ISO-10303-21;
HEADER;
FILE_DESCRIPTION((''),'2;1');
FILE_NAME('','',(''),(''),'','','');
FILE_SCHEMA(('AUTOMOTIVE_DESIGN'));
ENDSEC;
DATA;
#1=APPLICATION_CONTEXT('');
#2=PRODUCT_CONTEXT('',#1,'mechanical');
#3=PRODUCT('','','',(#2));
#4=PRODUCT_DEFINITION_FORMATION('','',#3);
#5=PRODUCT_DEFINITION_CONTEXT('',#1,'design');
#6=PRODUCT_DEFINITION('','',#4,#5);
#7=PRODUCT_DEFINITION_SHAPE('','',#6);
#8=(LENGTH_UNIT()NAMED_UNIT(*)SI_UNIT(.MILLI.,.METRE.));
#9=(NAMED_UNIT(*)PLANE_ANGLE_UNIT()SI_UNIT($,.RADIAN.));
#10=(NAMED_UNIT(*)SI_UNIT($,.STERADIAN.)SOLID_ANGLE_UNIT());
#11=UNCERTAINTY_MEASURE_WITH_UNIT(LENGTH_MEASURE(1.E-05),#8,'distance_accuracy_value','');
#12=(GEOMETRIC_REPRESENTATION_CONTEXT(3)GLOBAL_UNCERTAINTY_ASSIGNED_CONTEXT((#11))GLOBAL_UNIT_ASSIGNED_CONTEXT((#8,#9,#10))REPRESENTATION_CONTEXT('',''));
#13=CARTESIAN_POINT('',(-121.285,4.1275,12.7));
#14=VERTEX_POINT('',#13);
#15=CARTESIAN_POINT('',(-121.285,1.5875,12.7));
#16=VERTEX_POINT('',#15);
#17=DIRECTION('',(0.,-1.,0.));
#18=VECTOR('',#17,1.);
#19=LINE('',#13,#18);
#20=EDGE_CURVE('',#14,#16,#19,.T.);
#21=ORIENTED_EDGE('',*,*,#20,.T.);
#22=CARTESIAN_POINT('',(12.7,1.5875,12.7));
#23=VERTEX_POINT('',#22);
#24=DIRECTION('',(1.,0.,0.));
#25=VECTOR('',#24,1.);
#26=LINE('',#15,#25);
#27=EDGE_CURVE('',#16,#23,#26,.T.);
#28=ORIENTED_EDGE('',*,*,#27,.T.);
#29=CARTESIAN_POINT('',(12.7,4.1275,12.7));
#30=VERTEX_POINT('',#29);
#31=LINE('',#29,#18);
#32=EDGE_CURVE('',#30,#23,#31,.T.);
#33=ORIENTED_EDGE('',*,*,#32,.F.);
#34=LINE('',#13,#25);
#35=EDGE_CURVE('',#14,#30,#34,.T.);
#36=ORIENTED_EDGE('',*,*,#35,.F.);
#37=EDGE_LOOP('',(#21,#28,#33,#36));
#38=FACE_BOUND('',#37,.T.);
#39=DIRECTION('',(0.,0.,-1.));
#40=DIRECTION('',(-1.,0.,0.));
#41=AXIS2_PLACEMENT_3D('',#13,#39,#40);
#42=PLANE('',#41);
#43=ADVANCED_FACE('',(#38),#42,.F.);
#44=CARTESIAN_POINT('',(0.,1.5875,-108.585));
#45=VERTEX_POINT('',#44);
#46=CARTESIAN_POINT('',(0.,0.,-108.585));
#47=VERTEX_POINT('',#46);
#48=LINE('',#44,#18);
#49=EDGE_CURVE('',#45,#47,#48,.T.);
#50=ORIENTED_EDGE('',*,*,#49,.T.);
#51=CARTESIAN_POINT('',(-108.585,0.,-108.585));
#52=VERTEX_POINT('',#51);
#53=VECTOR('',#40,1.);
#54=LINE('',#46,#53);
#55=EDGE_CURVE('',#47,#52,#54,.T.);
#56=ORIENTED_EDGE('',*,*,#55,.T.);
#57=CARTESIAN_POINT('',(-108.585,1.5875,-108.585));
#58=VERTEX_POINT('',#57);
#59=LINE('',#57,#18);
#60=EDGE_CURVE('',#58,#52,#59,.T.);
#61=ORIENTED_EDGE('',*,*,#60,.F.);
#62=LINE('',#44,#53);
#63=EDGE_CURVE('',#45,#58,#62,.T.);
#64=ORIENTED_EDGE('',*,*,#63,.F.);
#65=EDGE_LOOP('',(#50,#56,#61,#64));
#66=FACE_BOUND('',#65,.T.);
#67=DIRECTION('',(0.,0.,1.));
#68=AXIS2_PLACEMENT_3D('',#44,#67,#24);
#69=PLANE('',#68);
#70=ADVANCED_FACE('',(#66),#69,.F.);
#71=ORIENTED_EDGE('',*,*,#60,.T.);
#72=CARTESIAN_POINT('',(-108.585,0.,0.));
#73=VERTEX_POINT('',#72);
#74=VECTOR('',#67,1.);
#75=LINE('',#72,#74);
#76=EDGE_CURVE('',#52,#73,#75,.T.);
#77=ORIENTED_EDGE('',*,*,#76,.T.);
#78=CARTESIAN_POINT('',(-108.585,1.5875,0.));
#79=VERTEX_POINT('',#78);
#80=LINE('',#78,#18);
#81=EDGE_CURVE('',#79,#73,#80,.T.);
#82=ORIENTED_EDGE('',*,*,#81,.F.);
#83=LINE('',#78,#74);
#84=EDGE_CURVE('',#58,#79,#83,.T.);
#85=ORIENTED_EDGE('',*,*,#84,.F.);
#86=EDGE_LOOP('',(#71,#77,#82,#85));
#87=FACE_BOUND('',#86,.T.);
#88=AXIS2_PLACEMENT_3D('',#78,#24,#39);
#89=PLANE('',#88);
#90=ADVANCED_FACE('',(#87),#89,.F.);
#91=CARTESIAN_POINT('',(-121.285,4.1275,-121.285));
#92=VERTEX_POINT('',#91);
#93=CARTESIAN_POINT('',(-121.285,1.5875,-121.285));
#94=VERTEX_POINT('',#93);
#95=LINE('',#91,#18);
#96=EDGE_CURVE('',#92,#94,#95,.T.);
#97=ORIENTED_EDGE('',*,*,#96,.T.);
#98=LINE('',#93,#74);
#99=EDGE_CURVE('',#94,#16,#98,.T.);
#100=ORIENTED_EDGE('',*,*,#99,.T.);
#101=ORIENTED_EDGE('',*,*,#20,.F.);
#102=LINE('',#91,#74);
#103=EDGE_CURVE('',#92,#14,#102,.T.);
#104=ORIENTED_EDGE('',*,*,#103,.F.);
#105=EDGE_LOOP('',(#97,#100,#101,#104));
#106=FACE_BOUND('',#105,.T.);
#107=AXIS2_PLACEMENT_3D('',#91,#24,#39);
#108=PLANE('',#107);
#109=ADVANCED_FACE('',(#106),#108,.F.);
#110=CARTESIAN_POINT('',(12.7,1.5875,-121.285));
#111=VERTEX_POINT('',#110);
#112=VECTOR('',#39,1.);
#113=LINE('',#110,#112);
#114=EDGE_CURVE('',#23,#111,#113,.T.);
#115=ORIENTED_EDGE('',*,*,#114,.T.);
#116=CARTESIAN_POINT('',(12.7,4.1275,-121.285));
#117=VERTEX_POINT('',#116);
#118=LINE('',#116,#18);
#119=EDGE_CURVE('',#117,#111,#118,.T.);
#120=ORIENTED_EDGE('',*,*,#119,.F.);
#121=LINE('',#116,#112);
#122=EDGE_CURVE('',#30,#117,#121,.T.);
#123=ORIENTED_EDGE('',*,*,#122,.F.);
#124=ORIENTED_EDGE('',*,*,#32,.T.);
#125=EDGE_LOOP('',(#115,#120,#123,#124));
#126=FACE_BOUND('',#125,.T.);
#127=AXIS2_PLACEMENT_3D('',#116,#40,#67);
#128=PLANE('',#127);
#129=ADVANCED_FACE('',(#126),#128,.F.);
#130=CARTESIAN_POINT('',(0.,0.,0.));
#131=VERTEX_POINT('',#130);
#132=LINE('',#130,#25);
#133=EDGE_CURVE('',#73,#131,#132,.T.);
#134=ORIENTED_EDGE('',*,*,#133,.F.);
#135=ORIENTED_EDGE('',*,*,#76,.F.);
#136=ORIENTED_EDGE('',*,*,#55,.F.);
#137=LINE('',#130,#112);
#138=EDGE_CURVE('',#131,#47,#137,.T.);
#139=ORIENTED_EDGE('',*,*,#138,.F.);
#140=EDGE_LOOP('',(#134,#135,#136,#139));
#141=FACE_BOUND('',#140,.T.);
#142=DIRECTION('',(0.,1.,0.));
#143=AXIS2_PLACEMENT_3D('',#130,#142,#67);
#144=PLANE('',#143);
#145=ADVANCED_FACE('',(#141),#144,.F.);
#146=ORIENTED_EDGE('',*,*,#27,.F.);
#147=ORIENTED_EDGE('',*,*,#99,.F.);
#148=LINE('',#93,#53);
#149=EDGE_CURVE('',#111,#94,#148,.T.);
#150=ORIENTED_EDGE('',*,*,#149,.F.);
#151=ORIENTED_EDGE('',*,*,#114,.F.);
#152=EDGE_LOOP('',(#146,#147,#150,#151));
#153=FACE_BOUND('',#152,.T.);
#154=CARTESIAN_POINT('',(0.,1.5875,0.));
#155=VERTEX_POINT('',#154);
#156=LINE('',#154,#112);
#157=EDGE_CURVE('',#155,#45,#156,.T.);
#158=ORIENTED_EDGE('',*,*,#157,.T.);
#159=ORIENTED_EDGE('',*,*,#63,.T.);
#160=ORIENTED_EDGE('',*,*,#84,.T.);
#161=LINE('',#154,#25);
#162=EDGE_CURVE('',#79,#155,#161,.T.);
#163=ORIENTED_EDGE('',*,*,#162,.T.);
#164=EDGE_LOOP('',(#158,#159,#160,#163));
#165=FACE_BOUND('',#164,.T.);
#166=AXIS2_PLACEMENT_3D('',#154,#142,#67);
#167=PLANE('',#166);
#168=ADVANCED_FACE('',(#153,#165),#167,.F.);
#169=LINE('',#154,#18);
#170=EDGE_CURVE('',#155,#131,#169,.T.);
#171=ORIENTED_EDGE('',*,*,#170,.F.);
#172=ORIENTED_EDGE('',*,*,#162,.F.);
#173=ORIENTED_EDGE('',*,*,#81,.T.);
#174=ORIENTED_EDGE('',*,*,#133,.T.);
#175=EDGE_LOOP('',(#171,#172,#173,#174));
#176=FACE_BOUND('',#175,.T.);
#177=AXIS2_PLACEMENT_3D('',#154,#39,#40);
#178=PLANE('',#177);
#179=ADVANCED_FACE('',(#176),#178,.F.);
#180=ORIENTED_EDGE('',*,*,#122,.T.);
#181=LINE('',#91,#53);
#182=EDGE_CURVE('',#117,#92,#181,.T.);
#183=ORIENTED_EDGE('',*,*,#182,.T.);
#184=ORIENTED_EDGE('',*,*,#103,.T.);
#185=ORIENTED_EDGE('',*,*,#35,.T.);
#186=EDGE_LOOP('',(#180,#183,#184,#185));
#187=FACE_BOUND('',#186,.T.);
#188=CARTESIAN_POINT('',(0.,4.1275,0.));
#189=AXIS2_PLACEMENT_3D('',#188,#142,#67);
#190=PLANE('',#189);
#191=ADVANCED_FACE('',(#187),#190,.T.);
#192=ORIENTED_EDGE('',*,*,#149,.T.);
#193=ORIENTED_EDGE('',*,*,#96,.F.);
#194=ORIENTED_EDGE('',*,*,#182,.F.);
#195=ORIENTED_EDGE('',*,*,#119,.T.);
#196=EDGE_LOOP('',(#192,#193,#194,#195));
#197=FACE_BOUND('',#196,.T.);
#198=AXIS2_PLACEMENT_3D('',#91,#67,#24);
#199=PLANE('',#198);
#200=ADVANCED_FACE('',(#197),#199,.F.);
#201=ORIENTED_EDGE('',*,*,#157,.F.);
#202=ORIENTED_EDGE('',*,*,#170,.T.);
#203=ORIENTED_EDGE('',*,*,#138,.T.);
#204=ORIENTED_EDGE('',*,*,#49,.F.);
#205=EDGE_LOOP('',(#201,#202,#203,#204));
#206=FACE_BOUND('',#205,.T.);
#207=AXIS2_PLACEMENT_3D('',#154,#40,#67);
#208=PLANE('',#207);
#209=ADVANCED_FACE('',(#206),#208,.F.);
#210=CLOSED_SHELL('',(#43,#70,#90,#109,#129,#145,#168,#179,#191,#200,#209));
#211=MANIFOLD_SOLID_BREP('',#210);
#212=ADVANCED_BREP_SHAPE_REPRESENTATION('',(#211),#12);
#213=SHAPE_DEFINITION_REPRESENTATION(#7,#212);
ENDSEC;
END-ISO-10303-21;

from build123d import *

# Parameters (mm, degrees)
SKETCH1_W           = 108.585
SKETCH1_H           = 108.585
MAIN_PLATE_DEPTH    = 1.5875
SKETCH2_W           = 133.985
SKETCH2_H           = 133.985
BOSS_EXTRUDE2_DEPTH = 2.54


with BuildPart() as part:
    # Sketch1 → Main Plate (new body)
    with BuildSketch(Plane(origin=(0, 0, 0), x_dir=(1, 0, 0), z_dir=(0, 1, 0))):
        with Locations((-54.2925, 54.2925)):
            Rectangle(SKETCH1_W, SKETCH1_H)
    extrude(amount=MAIN_PLATE_DEPTH)

    # Sketch2 → Boss-Extrude2 (add)
    with BuildSketch(Plane(origin=(0, 1.5875, 0), x_dir=(1, 0, 0), z_dir=(0, 1, 0))):
        with Locations((-54.2925, 54.2925)):
            Rectangle(SKETCH2_W, SKETCH2_H)
    extrude(amount=BOSS_EXTRUDE2_DEPTH)


solid = part.part
